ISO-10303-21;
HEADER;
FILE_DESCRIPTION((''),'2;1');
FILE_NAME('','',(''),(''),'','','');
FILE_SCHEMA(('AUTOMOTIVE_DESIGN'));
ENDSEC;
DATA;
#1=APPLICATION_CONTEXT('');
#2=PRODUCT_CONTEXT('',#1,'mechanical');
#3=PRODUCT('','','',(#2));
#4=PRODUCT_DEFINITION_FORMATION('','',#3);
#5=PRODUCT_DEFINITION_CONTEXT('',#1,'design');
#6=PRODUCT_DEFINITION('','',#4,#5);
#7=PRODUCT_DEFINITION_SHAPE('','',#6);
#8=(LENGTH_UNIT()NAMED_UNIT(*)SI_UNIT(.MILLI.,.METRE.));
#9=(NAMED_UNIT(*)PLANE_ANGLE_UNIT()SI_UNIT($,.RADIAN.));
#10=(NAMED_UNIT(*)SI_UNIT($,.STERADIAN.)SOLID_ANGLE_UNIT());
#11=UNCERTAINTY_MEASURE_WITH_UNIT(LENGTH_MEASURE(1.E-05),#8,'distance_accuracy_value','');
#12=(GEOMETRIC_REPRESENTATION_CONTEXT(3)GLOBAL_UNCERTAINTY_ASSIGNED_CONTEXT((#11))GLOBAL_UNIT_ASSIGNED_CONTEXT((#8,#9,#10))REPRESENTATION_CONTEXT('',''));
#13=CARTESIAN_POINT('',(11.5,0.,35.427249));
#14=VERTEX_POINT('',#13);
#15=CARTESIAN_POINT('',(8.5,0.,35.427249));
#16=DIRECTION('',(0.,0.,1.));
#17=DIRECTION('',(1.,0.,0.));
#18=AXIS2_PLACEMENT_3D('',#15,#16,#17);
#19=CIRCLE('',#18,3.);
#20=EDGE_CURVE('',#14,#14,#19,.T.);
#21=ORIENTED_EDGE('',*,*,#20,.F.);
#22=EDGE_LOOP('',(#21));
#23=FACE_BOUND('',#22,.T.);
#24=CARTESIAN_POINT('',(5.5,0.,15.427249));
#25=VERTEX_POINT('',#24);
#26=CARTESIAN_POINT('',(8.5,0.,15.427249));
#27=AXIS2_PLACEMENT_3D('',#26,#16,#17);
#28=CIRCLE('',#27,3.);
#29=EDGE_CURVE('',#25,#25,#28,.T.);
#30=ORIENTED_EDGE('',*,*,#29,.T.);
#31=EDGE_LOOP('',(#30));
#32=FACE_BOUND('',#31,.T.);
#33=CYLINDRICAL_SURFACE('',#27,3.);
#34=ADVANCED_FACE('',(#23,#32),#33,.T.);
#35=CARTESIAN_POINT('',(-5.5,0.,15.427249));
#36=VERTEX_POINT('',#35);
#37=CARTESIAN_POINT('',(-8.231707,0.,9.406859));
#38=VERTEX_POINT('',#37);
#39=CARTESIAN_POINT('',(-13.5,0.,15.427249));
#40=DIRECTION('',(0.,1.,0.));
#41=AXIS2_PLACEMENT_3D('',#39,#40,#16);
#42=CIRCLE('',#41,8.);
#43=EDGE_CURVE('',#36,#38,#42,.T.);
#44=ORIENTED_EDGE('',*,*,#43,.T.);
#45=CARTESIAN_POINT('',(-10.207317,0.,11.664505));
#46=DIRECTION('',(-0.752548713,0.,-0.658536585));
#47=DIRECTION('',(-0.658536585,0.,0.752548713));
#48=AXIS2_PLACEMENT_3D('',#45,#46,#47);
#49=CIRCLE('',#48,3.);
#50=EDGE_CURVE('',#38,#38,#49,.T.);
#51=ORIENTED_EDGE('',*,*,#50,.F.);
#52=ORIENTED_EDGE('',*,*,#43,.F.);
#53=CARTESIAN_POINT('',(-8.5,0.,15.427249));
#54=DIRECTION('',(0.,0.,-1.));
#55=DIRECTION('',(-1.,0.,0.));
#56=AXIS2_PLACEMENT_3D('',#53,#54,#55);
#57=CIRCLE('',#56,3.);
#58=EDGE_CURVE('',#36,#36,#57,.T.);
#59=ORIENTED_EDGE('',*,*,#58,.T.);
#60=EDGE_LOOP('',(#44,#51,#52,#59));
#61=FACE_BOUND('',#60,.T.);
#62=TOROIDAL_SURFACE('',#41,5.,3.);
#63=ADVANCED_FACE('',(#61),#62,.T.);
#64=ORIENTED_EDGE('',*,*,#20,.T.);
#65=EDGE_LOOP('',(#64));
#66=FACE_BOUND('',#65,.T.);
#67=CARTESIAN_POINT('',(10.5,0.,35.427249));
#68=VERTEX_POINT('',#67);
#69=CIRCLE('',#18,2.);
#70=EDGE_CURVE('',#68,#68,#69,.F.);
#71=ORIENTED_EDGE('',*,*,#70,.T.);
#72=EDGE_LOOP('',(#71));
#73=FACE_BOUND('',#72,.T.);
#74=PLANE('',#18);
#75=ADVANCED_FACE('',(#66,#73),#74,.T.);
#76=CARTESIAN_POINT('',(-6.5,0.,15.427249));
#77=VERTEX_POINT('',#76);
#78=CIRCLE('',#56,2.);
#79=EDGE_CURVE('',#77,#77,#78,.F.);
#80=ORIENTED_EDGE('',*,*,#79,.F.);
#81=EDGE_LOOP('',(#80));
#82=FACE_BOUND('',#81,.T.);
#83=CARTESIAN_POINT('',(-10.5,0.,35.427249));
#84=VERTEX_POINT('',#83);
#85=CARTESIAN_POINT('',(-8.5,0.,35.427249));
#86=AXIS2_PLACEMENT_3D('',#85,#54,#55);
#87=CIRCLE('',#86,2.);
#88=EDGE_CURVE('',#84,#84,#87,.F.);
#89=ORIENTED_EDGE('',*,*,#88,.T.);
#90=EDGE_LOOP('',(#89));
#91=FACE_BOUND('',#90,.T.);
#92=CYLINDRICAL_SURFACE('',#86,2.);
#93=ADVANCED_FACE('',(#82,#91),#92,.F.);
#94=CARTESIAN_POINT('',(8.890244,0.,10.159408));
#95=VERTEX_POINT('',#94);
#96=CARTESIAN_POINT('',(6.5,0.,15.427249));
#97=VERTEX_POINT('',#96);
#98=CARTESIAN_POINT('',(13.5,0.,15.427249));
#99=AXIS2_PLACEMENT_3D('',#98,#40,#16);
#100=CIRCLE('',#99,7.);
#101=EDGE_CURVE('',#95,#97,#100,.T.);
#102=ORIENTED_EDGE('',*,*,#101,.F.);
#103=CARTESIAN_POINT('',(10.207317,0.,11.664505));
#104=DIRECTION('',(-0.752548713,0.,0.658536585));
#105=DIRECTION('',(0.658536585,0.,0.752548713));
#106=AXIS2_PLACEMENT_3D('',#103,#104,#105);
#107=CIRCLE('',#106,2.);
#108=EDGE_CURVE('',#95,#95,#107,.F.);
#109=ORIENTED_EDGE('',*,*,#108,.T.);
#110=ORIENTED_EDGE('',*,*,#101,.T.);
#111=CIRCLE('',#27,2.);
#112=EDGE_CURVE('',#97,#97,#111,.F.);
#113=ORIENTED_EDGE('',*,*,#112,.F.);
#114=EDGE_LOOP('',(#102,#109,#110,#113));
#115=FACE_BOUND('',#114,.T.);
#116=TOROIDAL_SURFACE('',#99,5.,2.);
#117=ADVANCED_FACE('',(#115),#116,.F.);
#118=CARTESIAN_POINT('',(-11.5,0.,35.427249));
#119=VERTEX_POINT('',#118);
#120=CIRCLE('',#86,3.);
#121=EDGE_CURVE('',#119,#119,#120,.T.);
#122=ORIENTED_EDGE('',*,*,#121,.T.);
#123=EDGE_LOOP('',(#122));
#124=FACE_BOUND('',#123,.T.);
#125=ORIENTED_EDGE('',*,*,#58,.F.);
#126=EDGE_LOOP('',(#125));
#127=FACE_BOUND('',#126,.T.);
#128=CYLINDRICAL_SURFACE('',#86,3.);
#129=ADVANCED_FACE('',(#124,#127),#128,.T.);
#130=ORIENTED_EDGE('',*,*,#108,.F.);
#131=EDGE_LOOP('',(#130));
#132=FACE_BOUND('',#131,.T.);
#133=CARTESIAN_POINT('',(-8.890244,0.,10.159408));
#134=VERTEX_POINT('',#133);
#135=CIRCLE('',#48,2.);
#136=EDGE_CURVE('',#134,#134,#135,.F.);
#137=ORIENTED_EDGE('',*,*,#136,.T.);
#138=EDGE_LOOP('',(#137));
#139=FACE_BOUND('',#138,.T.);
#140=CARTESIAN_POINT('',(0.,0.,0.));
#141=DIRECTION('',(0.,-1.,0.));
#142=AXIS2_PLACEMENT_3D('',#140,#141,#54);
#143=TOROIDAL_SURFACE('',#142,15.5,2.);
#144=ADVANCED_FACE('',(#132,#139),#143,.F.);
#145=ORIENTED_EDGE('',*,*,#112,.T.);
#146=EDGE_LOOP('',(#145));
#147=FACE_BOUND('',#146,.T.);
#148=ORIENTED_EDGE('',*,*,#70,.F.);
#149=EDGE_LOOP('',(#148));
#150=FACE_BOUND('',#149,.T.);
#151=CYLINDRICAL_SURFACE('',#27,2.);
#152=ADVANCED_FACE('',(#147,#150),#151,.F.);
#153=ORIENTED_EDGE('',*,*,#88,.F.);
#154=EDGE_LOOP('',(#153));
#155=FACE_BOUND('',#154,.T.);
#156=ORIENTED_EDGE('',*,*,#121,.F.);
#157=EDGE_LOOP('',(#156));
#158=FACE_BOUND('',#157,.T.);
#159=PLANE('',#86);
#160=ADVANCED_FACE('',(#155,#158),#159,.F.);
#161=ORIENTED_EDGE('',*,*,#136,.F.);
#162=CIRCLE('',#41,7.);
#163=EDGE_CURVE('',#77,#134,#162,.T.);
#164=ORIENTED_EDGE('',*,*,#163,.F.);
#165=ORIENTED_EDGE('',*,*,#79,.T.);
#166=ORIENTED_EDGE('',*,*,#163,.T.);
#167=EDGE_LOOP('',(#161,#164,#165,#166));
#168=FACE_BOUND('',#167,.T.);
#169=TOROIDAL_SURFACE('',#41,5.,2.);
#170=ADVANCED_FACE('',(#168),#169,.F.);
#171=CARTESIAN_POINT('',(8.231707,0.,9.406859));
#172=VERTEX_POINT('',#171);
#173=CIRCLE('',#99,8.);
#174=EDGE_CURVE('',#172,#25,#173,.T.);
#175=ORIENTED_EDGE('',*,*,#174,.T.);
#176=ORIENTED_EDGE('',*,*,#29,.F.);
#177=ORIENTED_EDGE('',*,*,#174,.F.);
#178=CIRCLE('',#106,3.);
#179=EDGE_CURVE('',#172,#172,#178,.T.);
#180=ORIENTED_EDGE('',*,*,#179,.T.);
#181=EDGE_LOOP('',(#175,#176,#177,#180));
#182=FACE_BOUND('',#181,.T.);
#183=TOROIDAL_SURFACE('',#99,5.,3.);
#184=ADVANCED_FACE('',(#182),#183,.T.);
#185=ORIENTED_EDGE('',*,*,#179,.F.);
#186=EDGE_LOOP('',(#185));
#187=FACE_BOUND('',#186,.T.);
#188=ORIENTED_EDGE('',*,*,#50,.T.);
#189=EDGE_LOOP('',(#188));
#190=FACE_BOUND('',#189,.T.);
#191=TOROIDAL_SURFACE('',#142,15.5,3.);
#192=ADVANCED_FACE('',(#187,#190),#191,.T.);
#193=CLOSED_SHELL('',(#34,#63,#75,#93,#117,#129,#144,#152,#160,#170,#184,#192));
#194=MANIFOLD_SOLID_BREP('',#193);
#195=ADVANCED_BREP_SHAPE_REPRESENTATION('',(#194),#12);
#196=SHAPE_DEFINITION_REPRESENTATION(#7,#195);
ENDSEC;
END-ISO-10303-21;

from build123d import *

# Parameters (mm, degrees)
SKETCH2_R   = 3
SKETCH2_R_2 = 2


with BuildPart() as part:
    # Sweep1: sweep along a path in Sketch1
    with BuildLine(Plane(origin=(0, 0, 0), x_dir=(1, 0, 0), z_dir=(0, 1, 0))) as sweep1_path:
        Line((8.5, -35.427248621), (8.5, -15.427248621))
        ThreePointArc((8.5, -15.427248621), (8.946791536, -13.361263944), (10.207317073, -11.664505055))
        ThreePointArc((10.207317073, -11.664505055), (0, 15.5), (-10.207317073, -11.664505055))
        ThreePointArc((-10.207317073, -11.664505055), (-8.946791536, -13.361263944), (-8.5, -15.427248621))
        Line((-8.5, -15.427248621), (-8.5, -35.427248621))
    # Sketch2 → Sweep1 (sweep)
    with BuildSketch(Plane(origin=(-8.5, 0, 35.427248621), x_dir=(-1, 0, 0), z_dir=(0, 0, -1))):
        Circle(SKETCH2_R)
        Circle(SKETCH2_R_2, mode=Mode.SUBTRACT)
    sweep(path=sweep1_path.line)


solid = part.part
